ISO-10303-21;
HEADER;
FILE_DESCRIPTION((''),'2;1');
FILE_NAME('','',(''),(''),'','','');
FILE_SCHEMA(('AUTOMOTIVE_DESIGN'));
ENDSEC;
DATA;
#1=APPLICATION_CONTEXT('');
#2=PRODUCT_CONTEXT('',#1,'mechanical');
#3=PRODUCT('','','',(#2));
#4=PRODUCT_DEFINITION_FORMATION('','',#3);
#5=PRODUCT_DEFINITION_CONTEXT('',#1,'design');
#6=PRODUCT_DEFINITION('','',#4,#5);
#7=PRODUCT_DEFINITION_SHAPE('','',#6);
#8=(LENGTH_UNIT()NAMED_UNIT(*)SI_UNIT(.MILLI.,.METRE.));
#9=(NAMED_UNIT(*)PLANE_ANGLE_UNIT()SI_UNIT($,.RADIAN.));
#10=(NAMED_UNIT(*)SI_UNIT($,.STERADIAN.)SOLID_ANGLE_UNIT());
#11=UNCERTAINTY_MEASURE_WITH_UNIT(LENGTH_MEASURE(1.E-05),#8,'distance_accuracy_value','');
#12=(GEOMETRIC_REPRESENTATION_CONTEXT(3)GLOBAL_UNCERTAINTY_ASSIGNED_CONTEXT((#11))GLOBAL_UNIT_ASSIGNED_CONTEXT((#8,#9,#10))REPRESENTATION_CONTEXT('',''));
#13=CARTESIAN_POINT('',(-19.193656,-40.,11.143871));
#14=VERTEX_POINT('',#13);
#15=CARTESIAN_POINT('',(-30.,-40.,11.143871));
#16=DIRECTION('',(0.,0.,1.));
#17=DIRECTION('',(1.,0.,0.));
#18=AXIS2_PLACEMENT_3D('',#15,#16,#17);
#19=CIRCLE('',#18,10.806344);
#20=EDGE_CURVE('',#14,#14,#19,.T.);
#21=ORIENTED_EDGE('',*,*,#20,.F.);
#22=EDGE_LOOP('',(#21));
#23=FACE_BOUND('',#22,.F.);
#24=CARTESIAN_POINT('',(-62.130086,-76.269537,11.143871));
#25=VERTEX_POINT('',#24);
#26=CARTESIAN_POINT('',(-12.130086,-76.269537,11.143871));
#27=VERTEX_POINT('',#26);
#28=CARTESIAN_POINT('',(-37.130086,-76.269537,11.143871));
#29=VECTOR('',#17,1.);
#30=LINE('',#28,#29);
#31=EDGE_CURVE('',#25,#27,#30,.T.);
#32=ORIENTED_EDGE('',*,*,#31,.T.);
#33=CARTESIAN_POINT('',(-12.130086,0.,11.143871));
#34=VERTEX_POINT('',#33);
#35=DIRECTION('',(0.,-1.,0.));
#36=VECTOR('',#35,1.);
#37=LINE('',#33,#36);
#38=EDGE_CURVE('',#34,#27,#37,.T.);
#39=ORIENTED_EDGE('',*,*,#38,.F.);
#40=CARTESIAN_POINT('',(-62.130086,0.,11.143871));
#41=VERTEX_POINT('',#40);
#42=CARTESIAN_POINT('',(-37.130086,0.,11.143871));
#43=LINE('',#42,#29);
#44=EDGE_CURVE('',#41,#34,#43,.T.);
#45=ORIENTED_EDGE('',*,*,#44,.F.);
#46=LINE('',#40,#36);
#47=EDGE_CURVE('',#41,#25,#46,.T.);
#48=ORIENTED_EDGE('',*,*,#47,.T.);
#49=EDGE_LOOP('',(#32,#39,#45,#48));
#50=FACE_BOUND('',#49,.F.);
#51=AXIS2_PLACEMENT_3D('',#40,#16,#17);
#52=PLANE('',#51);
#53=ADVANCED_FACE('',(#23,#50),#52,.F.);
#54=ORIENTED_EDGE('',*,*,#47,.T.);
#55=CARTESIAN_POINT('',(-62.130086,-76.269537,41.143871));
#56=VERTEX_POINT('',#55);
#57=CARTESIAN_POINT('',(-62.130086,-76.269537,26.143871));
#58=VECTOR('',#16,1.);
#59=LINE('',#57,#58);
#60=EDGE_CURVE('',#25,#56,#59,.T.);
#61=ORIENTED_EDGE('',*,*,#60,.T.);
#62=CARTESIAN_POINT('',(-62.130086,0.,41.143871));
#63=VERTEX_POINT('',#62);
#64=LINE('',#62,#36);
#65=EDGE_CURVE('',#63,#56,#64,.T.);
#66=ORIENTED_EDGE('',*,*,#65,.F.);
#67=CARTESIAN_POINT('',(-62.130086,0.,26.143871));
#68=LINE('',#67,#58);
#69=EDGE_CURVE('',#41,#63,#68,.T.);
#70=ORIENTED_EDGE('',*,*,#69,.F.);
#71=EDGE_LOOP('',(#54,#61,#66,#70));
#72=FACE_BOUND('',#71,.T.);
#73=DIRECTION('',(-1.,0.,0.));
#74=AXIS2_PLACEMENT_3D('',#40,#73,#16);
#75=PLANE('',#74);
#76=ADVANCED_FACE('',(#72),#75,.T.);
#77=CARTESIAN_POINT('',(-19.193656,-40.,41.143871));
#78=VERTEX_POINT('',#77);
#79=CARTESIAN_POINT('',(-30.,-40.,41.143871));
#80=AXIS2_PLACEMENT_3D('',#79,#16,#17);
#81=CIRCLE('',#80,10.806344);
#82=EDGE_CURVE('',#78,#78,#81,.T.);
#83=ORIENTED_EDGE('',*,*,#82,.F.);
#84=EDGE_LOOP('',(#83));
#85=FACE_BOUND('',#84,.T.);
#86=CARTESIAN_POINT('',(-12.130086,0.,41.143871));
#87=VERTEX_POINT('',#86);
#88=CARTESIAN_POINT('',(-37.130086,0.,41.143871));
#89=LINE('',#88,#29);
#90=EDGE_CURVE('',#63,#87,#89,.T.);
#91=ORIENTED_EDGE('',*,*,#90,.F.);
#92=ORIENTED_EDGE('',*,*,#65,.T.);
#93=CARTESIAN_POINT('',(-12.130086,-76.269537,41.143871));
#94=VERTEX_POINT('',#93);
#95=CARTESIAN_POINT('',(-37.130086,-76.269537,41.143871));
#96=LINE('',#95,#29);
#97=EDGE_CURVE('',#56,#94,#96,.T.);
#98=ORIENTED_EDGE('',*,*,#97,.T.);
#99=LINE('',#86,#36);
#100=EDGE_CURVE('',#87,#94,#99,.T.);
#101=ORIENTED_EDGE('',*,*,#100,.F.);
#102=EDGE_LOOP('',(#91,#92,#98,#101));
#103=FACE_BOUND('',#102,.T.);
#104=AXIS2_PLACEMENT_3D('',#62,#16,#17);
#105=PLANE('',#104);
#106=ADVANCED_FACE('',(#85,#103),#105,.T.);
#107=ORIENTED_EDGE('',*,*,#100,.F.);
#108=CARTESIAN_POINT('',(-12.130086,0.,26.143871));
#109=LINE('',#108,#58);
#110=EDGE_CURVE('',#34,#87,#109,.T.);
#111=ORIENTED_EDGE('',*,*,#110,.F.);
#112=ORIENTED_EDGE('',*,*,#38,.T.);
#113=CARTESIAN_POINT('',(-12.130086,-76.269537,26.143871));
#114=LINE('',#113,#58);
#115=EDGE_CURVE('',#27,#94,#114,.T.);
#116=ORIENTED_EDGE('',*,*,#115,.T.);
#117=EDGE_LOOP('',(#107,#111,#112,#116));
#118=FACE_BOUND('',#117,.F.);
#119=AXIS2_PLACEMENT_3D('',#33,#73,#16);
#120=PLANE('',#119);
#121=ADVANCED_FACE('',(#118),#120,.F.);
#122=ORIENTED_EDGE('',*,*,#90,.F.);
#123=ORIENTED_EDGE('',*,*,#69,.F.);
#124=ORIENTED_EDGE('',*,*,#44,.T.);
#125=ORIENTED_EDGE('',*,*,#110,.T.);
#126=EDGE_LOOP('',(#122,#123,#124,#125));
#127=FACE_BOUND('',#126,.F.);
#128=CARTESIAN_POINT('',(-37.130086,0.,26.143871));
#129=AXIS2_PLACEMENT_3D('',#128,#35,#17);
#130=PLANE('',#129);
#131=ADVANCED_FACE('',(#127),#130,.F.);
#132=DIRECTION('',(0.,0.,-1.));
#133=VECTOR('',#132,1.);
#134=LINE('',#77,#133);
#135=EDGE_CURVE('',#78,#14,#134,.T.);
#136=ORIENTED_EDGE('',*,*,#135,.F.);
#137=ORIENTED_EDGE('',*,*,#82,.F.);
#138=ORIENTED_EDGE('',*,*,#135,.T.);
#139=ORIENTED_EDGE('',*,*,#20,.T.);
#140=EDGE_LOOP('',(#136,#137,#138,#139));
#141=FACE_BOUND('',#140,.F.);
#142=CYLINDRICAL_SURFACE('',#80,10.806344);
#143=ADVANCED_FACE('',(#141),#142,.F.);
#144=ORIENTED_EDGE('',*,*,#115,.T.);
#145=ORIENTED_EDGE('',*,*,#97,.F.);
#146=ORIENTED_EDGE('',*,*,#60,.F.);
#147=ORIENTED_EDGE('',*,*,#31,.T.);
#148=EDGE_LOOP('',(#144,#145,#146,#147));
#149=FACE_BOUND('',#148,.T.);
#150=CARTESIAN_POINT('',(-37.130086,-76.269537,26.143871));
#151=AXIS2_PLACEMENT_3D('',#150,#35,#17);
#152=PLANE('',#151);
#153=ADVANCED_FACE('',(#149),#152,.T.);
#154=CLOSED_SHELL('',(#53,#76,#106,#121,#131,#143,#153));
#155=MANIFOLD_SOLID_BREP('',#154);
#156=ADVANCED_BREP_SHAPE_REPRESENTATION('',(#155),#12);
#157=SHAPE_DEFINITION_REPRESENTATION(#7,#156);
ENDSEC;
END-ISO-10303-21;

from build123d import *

# Parameters (mm, degrees)
F0_W     = 50
F0_H     = 30
F1_DEPTH = 76.269537
F2_R     = 10.806344
F3_DEPTH = 30.001


with BuildPart() as f1:
    # F0 (on Front) → F1 (new body)
    with BuildSketch(Plane.XZ):
        with Locations((-37.130086, 26.143871)):
            Rectangle(F0_W, F0_H)
    extrude(amount=F1_DEPTH)

    # F2 (on face) → F3 (cut, through all)
    with BuildSketch(Plane.XY.offset(41.143871)):
        with Locations((-30, -40)):
            Circle(F2_R)
    extrude(amount=-F3_DEPTH, mode=Mode.SUBTRACT)


solid = f1.part
